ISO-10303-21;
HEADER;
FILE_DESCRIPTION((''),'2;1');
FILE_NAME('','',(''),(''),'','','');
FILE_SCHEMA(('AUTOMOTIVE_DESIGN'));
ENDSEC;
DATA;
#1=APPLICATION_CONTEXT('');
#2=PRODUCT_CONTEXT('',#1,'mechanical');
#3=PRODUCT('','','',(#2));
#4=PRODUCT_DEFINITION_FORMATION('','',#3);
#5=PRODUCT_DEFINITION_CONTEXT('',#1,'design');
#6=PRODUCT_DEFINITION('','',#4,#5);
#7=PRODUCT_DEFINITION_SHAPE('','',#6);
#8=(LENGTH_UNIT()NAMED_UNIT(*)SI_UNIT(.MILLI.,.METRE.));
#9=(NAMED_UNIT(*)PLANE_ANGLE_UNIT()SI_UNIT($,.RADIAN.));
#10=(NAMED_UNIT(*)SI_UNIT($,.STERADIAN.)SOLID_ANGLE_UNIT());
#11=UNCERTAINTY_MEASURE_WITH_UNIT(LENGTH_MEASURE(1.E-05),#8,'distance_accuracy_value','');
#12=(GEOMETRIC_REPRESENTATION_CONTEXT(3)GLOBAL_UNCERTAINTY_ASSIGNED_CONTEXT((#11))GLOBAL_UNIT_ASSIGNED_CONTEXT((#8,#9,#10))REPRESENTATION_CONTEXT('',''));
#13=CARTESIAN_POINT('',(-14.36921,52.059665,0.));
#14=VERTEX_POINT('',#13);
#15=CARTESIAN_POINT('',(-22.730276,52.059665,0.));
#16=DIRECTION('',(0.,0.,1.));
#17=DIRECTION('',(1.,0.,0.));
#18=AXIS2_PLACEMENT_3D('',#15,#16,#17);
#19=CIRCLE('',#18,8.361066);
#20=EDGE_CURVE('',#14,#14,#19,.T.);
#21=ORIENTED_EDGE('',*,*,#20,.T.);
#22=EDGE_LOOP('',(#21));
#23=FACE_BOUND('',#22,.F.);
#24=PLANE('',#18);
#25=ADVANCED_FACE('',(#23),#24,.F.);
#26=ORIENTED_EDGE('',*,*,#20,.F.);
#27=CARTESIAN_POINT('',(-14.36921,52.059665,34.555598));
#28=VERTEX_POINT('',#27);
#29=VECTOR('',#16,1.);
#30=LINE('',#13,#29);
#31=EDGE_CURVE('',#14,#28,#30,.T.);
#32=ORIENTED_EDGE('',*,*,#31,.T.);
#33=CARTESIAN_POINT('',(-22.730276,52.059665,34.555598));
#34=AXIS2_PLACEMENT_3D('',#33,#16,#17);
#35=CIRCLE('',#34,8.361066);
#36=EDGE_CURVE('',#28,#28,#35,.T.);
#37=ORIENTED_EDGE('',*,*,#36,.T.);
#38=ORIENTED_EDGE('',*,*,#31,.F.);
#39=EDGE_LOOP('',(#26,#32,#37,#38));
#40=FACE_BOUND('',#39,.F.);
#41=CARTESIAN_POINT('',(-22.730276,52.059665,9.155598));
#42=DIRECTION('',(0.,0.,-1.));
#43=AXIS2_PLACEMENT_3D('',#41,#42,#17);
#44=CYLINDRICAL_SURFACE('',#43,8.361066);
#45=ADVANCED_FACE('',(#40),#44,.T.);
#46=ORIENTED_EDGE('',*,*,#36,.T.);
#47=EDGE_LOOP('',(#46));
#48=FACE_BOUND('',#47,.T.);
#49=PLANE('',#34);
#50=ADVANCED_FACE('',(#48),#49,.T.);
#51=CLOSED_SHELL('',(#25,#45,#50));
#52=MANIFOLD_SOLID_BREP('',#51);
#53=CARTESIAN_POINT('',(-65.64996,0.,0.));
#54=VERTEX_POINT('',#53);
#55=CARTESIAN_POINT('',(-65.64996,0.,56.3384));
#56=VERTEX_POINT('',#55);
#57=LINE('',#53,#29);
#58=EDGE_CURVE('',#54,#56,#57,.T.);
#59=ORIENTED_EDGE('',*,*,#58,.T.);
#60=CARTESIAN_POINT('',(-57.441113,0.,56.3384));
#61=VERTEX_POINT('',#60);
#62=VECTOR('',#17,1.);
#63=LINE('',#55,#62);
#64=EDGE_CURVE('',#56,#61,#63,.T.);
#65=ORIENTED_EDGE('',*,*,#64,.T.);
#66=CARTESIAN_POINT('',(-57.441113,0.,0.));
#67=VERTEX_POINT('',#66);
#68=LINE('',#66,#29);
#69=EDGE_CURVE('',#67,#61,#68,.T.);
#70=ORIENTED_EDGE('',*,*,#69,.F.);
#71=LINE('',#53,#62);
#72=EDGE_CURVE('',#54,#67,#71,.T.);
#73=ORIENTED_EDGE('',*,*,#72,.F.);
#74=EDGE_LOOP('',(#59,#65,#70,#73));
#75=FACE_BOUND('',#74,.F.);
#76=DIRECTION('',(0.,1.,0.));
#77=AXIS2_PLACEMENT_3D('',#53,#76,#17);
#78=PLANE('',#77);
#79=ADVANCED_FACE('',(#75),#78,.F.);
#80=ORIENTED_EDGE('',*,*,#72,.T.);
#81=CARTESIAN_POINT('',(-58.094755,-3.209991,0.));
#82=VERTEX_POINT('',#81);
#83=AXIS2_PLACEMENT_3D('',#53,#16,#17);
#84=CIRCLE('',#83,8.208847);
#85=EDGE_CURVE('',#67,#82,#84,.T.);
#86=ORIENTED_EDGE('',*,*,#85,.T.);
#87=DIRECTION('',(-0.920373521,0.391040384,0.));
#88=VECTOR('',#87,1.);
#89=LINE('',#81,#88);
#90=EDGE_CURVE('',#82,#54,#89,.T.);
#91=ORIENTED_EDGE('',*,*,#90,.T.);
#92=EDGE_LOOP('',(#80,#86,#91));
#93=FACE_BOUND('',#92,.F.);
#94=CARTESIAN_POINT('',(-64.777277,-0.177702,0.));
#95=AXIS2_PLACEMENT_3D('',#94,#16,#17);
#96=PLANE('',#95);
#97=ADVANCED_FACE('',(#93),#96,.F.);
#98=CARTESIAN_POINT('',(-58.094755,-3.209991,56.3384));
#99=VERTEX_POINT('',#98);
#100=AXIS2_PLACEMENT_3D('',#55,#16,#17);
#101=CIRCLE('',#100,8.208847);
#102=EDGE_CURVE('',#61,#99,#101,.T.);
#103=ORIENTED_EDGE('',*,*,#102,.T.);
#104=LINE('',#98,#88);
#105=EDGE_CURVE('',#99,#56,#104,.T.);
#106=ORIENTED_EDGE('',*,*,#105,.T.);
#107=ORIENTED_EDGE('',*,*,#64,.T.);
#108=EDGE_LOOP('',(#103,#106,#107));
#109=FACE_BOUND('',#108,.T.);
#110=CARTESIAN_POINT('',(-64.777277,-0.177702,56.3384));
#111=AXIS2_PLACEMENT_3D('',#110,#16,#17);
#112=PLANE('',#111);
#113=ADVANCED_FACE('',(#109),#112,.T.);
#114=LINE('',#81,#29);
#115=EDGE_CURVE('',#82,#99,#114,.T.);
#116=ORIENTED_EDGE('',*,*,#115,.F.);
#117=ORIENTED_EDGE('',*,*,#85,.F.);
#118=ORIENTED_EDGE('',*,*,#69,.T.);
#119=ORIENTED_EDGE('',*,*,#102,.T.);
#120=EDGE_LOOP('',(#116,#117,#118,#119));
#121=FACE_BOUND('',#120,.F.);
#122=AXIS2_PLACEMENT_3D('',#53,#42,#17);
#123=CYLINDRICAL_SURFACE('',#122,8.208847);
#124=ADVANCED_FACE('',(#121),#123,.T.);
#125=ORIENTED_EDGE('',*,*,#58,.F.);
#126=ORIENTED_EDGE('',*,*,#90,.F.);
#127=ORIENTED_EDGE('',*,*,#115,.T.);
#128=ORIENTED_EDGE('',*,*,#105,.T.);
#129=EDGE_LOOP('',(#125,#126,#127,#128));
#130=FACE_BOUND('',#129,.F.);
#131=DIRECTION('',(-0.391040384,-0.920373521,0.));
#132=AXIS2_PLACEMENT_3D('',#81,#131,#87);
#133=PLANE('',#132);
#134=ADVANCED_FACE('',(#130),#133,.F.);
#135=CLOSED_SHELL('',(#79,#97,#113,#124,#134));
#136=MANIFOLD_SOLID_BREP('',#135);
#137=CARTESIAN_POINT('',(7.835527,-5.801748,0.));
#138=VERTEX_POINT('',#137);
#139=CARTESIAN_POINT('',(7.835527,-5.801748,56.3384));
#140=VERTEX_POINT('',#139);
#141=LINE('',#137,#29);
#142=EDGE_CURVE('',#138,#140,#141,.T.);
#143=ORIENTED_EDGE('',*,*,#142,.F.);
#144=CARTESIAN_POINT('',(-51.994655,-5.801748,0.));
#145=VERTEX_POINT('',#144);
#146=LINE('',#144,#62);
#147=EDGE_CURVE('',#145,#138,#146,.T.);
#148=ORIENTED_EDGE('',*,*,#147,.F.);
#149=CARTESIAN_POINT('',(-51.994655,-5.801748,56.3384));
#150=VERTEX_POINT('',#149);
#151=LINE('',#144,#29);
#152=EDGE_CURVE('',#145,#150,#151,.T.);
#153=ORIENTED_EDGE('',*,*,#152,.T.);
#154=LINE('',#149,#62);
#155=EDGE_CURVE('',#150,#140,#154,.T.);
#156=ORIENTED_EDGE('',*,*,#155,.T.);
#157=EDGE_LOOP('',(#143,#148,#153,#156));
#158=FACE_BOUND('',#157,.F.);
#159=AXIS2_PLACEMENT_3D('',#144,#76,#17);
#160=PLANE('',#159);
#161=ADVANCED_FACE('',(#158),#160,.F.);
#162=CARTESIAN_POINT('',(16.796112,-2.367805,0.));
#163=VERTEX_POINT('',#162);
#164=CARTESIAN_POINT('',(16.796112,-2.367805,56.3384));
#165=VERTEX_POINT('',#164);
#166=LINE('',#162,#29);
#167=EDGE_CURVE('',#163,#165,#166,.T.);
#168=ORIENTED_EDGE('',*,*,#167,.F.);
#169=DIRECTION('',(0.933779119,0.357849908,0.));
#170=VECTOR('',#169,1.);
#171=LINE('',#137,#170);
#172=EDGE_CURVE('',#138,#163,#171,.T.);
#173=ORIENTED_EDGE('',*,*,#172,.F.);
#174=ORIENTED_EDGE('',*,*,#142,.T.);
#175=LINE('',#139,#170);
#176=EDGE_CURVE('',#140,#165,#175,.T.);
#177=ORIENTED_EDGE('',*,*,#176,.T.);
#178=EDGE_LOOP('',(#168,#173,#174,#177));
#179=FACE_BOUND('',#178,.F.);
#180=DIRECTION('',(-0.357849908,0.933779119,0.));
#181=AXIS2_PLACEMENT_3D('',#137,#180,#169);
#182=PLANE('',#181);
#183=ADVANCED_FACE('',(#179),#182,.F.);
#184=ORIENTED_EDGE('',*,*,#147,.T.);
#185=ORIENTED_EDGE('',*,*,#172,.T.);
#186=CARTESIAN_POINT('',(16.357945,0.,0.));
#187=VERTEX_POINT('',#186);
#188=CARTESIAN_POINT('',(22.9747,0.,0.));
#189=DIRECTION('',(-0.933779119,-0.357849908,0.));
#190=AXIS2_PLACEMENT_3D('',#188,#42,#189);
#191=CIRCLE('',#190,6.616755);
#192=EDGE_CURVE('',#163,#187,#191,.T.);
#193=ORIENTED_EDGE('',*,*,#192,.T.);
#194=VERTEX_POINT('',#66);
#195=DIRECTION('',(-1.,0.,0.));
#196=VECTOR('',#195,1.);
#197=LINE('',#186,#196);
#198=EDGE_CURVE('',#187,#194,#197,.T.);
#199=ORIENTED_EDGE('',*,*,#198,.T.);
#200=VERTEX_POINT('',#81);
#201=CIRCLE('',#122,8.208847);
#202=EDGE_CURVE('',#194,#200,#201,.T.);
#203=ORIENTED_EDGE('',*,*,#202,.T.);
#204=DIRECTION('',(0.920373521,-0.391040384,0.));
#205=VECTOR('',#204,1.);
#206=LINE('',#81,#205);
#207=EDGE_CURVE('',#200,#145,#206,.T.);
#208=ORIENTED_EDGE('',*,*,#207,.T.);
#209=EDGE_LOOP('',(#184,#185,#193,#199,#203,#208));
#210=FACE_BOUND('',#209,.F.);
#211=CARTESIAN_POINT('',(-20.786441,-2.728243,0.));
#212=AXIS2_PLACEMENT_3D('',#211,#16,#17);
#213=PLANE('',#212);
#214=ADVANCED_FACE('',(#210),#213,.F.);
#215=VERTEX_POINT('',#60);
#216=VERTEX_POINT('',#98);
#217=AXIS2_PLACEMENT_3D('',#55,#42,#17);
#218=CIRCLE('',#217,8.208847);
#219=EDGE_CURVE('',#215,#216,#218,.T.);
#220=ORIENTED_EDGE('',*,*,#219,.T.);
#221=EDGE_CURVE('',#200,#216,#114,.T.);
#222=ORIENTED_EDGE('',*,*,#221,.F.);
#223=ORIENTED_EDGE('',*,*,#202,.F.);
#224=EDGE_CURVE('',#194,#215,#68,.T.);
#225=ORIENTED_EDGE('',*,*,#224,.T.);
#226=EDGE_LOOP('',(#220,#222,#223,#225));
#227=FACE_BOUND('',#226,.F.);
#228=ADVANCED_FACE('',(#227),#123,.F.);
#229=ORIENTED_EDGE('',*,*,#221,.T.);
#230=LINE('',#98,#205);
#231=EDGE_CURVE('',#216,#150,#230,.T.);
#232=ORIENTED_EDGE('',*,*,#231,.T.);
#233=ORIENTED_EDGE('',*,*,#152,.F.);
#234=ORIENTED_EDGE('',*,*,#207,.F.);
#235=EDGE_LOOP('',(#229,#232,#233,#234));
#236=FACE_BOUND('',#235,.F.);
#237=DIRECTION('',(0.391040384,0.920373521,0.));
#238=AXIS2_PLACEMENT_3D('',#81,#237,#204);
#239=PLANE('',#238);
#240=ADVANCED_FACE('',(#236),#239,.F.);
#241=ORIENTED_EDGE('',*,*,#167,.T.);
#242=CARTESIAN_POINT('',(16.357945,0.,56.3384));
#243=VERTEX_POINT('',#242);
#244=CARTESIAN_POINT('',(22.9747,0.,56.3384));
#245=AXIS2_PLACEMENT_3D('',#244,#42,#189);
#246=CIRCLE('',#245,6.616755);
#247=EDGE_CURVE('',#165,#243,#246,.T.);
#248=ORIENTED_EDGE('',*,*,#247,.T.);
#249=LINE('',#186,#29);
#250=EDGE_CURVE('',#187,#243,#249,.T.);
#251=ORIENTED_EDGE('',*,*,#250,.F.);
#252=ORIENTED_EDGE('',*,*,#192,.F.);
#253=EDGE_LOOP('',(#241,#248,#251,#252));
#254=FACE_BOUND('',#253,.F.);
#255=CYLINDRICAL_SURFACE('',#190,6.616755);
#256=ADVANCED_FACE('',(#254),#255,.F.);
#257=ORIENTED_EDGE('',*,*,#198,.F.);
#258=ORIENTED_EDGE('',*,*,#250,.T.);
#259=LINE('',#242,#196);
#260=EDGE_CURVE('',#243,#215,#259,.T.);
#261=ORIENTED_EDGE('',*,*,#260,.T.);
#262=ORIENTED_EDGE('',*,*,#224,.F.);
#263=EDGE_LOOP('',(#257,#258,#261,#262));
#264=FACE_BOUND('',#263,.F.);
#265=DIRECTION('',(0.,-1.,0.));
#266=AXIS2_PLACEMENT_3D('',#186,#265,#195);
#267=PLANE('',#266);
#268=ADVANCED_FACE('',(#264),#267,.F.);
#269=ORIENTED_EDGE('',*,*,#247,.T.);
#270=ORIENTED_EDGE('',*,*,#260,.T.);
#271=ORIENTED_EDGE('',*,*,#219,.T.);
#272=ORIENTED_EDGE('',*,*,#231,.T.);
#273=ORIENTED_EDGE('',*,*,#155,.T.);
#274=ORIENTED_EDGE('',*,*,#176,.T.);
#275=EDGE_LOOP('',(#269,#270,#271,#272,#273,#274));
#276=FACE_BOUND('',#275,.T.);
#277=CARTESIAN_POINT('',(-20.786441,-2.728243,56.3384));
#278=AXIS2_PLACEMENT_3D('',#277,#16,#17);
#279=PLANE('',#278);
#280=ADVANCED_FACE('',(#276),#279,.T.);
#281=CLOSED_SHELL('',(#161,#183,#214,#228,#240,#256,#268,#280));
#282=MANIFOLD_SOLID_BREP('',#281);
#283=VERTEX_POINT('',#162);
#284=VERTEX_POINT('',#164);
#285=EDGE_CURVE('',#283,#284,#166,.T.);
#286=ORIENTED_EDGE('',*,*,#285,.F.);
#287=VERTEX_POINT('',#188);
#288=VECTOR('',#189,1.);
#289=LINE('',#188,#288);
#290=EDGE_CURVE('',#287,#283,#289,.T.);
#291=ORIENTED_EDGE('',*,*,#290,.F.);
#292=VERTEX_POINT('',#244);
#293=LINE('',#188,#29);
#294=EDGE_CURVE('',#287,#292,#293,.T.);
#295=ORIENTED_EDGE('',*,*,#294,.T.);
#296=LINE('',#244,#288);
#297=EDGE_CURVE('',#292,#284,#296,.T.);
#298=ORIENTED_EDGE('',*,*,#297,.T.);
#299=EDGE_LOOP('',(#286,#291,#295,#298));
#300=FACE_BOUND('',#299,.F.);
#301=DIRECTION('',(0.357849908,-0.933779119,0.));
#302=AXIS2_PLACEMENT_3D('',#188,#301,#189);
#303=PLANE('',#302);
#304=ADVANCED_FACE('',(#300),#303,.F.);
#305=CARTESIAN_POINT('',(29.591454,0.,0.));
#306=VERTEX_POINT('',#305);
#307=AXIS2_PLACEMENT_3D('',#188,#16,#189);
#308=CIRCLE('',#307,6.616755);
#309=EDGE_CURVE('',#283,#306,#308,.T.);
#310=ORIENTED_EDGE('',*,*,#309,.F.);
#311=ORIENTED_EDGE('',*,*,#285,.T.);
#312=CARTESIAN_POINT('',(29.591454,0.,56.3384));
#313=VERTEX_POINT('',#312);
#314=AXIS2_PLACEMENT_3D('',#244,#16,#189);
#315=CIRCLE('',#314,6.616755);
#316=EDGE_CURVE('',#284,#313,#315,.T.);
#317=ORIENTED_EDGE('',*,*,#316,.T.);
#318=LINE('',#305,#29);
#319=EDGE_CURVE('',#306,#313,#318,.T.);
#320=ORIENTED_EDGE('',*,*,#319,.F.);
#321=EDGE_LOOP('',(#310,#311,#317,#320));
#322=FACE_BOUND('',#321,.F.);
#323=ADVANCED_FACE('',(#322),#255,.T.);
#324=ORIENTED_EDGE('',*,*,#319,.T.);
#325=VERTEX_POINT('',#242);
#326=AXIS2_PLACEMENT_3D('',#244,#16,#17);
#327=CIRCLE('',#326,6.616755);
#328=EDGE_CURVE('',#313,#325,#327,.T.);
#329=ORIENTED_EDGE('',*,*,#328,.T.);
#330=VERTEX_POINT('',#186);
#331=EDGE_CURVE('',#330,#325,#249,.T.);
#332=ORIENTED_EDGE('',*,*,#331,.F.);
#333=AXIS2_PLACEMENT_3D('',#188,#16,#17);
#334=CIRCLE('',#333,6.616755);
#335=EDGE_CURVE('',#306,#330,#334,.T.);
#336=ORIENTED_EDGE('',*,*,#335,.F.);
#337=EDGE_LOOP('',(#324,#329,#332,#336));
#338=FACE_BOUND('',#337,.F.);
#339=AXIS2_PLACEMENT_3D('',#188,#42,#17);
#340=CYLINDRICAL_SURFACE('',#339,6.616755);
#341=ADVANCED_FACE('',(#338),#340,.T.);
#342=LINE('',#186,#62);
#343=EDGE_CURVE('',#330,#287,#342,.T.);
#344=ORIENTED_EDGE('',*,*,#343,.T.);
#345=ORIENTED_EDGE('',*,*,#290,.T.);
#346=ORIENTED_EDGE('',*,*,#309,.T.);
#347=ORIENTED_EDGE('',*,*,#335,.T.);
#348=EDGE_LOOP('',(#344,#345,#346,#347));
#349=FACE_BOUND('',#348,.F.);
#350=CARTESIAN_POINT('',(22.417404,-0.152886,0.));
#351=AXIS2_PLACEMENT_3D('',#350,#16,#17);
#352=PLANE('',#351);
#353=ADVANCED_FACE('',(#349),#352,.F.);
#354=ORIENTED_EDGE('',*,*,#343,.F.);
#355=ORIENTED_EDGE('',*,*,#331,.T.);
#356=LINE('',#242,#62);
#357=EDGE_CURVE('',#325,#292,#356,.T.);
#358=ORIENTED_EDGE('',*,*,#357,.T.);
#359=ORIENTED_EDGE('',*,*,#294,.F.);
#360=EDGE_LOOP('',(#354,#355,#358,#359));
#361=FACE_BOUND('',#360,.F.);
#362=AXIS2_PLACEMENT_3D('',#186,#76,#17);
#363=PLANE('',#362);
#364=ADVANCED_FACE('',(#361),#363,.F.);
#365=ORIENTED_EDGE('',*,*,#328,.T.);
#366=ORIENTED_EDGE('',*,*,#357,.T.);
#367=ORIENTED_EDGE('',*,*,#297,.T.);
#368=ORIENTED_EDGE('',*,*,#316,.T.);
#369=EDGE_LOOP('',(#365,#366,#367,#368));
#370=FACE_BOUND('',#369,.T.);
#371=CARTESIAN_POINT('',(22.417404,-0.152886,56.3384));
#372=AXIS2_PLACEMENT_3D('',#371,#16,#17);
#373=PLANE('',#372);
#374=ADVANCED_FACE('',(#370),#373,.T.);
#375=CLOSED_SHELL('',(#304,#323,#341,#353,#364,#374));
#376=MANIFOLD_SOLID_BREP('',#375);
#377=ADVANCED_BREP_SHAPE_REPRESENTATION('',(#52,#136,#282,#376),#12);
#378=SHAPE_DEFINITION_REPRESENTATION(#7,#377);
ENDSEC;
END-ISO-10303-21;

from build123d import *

# Parameters (mm, degrees)
F1_DEPTH = 56.3383996487
F2_R     = 8.361065963
F3_DEPTH = 9.1555975378
F4_DEPTH = 25.4


with BuildPart() as f1:
    # F0 (on Top) → F1 (new body)
    with BuildSketch(Plane.XY):
        with BuildLine():
            Line((-65.6499601901, 0), (-57.4411129349, 0))
            ThreePointArc((-57.4411129349, 0), (-73.6937373632, 1.6379322476), (-58.0947545399, -3.2099907855))
            Line((-58.0947545399, -3.2099907855), (-65.6499601901, 0))
        make_face()
    extrude(amount=F1_DEPTH)


with BuildPart() as f1b:
    # F0 (on Top) → F1, piece 2 (new body)
    with BuildSketch(Plane.XY):
        with BuildLine():
            Line((16.3579449737, 0), (-57.4411129349, 0))
            ThreePointArc((-57.4411129349, 0), (-57.6061830169, -1.6379322476), (-58.0947545399, -3.2099907855))
            Line((-58.0947545399, -3.2099907855), (-51.9946552813, -5.8017484844))
            Line((-51.9946552813, -5.8017484844), (7.8355269507, -5.8017484844))
            Line((7.8355269507, -5.8017484844), (16.7961123026, -2.3678050832))
            ThreePointArc((16.7961123026, -2.3678050832), (16.4684088799, -1.2040028571), (16.3579449737, 0))
        make_face()
    extrude(amount=F1_DEPTH)


with BuildPart() as f1c:
    # F0 (on Top) → F1, piece 3 (new body)
    with BuildSketch(Plane.XY):
        with BuildLine():
            ThreePointArc((29.5914544976, 0), (22.9746997356, 6.616754762), (16.3579449737, 0))
            Line((16.3579449737, 0), (22.9746997356, 0))
            Line((22.9746997356, 0), (16.7961123026, -2.3678050832))
            ThreePointArc((16.7961123026, -2.3678050832), (24.1787025928, -6.5062908558), (29.5914544976, 0))
        make_face()
    extrude(amount=F1_DEPTH)


with BuildPart() as f3:
    # F2 (on Top) → F3 (new body)
    with BuildSketch(Plane.XY):
        with Locations((-22.7302759886, 52.0596653223)):
            Circle(F2_R)
    extrude(amount=F3_DEPTH)

    # F4 (add): a face of the model
    f4_faces = [f3.faces().sort_by_distance(p)[0] for p in [
        (-22.7302759886, 52.0596653223, 9.1555975378),
    ]]
    extrude(f4_faces, amount=F4_DEPTH)


solid = Compound([f1.part, f1b.part, f1c.part, f3.part])
